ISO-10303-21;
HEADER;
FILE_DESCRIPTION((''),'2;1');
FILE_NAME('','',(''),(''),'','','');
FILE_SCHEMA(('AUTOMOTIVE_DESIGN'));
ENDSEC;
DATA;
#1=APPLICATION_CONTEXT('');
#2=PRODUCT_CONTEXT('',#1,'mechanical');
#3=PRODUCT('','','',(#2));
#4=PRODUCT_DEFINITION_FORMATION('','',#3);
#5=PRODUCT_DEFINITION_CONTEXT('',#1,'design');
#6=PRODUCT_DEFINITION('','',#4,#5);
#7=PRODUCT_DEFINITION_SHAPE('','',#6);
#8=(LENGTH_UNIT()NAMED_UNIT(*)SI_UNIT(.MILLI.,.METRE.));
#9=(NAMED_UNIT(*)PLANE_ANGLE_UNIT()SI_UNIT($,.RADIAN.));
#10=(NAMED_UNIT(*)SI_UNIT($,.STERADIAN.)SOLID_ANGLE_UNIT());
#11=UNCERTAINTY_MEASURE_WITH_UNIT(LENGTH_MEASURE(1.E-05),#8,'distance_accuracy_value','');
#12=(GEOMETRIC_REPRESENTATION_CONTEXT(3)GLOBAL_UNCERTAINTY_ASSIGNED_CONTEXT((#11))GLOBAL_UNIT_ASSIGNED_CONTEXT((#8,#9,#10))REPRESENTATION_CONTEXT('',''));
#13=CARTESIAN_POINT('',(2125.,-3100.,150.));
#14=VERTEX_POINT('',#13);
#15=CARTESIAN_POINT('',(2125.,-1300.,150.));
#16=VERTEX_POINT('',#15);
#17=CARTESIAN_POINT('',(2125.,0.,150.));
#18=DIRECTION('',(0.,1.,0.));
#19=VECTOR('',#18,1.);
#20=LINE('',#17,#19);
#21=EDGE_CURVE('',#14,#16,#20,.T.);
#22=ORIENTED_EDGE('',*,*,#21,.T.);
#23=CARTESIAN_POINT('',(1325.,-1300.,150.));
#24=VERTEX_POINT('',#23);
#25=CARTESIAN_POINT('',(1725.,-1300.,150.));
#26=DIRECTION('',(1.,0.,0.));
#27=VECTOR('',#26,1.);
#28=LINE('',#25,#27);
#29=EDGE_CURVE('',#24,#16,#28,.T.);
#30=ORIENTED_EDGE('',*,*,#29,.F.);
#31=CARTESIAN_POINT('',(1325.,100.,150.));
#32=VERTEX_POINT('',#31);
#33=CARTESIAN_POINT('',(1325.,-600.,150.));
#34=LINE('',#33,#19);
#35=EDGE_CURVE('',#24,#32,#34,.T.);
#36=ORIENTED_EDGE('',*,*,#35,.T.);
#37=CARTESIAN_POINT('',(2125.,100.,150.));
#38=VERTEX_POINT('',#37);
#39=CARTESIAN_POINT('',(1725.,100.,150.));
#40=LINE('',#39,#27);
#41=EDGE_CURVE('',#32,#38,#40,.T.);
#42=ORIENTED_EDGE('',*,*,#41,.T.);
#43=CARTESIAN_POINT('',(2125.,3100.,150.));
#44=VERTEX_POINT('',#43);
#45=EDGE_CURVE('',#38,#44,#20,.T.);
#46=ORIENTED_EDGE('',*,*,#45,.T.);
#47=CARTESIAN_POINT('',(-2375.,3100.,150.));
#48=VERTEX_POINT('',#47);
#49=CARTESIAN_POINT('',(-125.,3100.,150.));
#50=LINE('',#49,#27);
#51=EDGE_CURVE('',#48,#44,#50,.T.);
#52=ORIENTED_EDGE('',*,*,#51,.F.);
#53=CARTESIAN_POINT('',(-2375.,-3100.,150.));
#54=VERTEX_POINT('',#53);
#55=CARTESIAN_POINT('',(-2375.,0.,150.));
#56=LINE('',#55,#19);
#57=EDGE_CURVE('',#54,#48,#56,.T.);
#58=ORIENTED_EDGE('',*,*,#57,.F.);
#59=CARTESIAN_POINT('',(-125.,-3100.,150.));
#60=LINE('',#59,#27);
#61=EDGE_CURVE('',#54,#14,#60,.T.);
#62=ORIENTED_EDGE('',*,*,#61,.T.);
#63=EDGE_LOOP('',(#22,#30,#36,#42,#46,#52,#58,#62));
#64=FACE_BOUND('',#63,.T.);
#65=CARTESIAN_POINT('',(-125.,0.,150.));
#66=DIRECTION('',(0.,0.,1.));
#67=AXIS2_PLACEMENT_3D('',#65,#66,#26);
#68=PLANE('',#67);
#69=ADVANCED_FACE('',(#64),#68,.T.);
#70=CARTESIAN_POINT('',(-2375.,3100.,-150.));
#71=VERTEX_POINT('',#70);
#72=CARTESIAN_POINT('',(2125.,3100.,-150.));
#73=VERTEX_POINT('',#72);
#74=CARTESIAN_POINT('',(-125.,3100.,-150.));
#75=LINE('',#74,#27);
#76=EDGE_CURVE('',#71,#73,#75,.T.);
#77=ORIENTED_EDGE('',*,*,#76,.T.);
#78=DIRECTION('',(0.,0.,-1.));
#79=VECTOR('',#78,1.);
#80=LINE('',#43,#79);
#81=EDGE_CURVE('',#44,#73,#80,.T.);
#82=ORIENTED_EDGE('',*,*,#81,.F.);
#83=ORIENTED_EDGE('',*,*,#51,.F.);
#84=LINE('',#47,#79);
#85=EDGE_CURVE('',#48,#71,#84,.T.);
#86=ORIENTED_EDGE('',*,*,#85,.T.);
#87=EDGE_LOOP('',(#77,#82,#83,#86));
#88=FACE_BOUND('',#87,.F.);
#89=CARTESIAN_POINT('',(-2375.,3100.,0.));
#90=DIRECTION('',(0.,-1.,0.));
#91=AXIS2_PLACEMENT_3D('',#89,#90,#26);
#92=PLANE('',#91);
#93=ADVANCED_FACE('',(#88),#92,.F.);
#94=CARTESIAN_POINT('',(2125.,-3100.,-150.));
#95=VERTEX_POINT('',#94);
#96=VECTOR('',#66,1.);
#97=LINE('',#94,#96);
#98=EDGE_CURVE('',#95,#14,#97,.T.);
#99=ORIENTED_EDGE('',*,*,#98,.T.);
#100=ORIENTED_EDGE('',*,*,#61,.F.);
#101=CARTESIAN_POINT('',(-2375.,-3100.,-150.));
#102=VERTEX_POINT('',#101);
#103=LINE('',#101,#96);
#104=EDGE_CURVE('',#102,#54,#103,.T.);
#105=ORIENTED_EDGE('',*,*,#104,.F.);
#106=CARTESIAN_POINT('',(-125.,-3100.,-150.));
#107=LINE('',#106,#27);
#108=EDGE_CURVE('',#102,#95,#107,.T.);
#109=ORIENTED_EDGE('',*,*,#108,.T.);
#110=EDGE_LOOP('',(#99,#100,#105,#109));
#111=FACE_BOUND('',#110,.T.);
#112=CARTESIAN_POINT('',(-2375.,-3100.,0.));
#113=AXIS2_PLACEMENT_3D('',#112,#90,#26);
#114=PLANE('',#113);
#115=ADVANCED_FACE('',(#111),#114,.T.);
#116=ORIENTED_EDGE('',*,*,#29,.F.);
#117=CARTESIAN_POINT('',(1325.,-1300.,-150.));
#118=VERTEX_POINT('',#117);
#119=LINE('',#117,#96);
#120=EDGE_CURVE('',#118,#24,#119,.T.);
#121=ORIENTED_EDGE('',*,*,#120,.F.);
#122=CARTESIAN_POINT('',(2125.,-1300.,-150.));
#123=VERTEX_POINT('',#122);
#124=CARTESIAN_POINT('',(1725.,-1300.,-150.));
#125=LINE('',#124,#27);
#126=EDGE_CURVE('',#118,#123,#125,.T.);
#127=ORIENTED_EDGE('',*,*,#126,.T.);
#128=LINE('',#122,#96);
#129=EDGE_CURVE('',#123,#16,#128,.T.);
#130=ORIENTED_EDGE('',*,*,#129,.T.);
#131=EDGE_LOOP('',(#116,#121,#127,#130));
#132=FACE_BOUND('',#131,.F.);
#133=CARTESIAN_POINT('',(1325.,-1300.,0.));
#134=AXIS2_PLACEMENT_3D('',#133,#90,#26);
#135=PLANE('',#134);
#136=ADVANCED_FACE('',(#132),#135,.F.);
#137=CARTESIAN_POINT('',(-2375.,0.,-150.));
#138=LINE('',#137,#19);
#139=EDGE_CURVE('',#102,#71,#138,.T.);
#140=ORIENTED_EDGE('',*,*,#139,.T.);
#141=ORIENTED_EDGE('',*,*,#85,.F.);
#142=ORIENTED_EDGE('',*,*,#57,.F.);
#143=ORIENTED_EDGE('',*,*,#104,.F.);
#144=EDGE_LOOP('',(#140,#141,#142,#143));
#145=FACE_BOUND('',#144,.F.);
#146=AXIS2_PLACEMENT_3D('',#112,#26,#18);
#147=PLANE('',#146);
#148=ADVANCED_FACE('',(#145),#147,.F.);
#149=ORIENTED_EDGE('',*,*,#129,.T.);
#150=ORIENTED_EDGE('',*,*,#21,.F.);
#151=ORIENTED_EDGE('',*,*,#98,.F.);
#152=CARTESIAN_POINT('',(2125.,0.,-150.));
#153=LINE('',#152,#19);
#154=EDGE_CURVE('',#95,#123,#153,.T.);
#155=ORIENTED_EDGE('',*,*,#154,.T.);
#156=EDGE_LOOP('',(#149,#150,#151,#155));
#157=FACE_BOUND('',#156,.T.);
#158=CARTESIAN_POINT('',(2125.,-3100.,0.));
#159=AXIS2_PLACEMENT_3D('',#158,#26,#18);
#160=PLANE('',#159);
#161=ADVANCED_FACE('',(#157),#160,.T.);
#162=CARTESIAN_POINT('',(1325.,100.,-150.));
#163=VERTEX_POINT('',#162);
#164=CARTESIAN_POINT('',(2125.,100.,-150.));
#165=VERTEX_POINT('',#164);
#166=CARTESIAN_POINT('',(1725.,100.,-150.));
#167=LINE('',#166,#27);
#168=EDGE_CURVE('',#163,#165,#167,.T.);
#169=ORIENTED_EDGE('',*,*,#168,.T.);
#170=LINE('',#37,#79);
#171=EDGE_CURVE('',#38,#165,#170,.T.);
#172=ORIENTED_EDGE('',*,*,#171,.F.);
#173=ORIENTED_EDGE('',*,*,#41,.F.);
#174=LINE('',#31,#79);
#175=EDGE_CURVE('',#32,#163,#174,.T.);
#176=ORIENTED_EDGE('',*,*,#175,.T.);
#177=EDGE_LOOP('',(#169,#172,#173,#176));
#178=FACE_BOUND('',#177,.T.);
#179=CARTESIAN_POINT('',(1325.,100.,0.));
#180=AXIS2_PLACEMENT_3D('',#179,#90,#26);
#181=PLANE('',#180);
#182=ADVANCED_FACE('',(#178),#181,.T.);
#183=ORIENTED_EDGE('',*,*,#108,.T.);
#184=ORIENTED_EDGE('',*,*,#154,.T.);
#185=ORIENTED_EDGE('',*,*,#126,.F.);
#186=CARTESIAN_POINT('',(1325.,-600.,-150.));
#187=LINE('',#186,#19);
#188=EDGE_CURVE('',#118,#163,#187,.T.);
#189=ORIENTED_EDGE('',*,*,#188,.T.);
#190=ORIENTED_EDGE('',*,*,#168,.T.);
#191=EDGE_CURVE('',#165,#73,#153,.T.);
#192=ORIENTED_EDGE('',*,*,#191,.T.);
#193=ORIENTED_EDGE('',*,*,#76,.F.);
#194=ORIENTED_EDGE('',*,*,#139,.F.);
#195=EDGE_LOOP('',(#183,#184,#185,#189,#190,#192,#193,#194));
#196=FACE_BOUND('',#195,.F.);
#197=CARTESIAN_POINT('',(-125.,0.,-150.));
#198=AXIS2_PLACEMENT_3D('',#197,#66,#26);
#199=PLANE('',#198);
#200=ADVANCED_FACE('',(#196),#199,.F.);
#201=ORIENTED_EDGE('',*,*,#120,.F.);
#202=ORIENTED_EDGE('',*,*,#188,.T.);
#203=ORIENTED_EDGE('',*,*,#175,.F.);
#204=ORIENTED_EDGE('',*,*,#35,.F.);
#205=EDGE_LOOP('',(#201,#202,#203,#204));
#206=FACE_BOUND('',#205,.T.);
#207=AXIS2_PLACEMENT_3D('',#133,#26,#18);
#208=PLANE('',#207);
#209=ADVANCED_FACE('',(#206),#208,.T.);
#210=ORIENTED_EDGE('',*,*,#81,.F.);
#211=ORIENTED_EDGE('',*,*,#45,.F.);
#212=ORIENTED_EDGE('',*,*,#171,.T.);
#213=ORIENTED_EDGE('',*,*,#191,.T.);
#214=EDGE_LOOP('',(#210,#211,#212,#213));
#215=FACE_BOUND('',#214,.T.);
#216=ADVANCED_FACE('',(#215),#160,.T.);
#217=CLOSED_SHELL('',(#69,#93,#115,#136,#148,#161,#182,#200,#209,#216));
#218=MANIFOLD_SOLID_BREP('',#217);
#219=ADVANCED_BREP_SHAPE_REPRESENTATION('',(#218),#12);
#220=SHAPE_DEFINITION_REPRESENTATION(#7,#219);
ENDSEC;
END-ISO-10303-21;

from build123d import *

# Parameters (mm, degrees)
F0_W     = 4500
F0_H     = 6200
F1_DEPTH = 150
F2_W     = 800
F2_H     = 1400
F3_DEPTH = 150


with BuildPart() as f1:
    # F0 (on Top) → F1 (new body, symmetric)
    with BuildSketch(Plane.XY):
        with Locations((-125, 0)):
            Rectangle(F0_W, F0_H)
    extrude(amount=F1_DEPTH, both=True)

    # F2 (on Top) → F3 (cut, symmetric)
    with BuildSketch(Plane.XY):
        with Locations((1725, -600)):
            Rectangle(F2_W, F2_H)
    extrude(amount=F3_DEPTH, both=True, mode=Mode.SUBTRACT)


solid = f1.part
